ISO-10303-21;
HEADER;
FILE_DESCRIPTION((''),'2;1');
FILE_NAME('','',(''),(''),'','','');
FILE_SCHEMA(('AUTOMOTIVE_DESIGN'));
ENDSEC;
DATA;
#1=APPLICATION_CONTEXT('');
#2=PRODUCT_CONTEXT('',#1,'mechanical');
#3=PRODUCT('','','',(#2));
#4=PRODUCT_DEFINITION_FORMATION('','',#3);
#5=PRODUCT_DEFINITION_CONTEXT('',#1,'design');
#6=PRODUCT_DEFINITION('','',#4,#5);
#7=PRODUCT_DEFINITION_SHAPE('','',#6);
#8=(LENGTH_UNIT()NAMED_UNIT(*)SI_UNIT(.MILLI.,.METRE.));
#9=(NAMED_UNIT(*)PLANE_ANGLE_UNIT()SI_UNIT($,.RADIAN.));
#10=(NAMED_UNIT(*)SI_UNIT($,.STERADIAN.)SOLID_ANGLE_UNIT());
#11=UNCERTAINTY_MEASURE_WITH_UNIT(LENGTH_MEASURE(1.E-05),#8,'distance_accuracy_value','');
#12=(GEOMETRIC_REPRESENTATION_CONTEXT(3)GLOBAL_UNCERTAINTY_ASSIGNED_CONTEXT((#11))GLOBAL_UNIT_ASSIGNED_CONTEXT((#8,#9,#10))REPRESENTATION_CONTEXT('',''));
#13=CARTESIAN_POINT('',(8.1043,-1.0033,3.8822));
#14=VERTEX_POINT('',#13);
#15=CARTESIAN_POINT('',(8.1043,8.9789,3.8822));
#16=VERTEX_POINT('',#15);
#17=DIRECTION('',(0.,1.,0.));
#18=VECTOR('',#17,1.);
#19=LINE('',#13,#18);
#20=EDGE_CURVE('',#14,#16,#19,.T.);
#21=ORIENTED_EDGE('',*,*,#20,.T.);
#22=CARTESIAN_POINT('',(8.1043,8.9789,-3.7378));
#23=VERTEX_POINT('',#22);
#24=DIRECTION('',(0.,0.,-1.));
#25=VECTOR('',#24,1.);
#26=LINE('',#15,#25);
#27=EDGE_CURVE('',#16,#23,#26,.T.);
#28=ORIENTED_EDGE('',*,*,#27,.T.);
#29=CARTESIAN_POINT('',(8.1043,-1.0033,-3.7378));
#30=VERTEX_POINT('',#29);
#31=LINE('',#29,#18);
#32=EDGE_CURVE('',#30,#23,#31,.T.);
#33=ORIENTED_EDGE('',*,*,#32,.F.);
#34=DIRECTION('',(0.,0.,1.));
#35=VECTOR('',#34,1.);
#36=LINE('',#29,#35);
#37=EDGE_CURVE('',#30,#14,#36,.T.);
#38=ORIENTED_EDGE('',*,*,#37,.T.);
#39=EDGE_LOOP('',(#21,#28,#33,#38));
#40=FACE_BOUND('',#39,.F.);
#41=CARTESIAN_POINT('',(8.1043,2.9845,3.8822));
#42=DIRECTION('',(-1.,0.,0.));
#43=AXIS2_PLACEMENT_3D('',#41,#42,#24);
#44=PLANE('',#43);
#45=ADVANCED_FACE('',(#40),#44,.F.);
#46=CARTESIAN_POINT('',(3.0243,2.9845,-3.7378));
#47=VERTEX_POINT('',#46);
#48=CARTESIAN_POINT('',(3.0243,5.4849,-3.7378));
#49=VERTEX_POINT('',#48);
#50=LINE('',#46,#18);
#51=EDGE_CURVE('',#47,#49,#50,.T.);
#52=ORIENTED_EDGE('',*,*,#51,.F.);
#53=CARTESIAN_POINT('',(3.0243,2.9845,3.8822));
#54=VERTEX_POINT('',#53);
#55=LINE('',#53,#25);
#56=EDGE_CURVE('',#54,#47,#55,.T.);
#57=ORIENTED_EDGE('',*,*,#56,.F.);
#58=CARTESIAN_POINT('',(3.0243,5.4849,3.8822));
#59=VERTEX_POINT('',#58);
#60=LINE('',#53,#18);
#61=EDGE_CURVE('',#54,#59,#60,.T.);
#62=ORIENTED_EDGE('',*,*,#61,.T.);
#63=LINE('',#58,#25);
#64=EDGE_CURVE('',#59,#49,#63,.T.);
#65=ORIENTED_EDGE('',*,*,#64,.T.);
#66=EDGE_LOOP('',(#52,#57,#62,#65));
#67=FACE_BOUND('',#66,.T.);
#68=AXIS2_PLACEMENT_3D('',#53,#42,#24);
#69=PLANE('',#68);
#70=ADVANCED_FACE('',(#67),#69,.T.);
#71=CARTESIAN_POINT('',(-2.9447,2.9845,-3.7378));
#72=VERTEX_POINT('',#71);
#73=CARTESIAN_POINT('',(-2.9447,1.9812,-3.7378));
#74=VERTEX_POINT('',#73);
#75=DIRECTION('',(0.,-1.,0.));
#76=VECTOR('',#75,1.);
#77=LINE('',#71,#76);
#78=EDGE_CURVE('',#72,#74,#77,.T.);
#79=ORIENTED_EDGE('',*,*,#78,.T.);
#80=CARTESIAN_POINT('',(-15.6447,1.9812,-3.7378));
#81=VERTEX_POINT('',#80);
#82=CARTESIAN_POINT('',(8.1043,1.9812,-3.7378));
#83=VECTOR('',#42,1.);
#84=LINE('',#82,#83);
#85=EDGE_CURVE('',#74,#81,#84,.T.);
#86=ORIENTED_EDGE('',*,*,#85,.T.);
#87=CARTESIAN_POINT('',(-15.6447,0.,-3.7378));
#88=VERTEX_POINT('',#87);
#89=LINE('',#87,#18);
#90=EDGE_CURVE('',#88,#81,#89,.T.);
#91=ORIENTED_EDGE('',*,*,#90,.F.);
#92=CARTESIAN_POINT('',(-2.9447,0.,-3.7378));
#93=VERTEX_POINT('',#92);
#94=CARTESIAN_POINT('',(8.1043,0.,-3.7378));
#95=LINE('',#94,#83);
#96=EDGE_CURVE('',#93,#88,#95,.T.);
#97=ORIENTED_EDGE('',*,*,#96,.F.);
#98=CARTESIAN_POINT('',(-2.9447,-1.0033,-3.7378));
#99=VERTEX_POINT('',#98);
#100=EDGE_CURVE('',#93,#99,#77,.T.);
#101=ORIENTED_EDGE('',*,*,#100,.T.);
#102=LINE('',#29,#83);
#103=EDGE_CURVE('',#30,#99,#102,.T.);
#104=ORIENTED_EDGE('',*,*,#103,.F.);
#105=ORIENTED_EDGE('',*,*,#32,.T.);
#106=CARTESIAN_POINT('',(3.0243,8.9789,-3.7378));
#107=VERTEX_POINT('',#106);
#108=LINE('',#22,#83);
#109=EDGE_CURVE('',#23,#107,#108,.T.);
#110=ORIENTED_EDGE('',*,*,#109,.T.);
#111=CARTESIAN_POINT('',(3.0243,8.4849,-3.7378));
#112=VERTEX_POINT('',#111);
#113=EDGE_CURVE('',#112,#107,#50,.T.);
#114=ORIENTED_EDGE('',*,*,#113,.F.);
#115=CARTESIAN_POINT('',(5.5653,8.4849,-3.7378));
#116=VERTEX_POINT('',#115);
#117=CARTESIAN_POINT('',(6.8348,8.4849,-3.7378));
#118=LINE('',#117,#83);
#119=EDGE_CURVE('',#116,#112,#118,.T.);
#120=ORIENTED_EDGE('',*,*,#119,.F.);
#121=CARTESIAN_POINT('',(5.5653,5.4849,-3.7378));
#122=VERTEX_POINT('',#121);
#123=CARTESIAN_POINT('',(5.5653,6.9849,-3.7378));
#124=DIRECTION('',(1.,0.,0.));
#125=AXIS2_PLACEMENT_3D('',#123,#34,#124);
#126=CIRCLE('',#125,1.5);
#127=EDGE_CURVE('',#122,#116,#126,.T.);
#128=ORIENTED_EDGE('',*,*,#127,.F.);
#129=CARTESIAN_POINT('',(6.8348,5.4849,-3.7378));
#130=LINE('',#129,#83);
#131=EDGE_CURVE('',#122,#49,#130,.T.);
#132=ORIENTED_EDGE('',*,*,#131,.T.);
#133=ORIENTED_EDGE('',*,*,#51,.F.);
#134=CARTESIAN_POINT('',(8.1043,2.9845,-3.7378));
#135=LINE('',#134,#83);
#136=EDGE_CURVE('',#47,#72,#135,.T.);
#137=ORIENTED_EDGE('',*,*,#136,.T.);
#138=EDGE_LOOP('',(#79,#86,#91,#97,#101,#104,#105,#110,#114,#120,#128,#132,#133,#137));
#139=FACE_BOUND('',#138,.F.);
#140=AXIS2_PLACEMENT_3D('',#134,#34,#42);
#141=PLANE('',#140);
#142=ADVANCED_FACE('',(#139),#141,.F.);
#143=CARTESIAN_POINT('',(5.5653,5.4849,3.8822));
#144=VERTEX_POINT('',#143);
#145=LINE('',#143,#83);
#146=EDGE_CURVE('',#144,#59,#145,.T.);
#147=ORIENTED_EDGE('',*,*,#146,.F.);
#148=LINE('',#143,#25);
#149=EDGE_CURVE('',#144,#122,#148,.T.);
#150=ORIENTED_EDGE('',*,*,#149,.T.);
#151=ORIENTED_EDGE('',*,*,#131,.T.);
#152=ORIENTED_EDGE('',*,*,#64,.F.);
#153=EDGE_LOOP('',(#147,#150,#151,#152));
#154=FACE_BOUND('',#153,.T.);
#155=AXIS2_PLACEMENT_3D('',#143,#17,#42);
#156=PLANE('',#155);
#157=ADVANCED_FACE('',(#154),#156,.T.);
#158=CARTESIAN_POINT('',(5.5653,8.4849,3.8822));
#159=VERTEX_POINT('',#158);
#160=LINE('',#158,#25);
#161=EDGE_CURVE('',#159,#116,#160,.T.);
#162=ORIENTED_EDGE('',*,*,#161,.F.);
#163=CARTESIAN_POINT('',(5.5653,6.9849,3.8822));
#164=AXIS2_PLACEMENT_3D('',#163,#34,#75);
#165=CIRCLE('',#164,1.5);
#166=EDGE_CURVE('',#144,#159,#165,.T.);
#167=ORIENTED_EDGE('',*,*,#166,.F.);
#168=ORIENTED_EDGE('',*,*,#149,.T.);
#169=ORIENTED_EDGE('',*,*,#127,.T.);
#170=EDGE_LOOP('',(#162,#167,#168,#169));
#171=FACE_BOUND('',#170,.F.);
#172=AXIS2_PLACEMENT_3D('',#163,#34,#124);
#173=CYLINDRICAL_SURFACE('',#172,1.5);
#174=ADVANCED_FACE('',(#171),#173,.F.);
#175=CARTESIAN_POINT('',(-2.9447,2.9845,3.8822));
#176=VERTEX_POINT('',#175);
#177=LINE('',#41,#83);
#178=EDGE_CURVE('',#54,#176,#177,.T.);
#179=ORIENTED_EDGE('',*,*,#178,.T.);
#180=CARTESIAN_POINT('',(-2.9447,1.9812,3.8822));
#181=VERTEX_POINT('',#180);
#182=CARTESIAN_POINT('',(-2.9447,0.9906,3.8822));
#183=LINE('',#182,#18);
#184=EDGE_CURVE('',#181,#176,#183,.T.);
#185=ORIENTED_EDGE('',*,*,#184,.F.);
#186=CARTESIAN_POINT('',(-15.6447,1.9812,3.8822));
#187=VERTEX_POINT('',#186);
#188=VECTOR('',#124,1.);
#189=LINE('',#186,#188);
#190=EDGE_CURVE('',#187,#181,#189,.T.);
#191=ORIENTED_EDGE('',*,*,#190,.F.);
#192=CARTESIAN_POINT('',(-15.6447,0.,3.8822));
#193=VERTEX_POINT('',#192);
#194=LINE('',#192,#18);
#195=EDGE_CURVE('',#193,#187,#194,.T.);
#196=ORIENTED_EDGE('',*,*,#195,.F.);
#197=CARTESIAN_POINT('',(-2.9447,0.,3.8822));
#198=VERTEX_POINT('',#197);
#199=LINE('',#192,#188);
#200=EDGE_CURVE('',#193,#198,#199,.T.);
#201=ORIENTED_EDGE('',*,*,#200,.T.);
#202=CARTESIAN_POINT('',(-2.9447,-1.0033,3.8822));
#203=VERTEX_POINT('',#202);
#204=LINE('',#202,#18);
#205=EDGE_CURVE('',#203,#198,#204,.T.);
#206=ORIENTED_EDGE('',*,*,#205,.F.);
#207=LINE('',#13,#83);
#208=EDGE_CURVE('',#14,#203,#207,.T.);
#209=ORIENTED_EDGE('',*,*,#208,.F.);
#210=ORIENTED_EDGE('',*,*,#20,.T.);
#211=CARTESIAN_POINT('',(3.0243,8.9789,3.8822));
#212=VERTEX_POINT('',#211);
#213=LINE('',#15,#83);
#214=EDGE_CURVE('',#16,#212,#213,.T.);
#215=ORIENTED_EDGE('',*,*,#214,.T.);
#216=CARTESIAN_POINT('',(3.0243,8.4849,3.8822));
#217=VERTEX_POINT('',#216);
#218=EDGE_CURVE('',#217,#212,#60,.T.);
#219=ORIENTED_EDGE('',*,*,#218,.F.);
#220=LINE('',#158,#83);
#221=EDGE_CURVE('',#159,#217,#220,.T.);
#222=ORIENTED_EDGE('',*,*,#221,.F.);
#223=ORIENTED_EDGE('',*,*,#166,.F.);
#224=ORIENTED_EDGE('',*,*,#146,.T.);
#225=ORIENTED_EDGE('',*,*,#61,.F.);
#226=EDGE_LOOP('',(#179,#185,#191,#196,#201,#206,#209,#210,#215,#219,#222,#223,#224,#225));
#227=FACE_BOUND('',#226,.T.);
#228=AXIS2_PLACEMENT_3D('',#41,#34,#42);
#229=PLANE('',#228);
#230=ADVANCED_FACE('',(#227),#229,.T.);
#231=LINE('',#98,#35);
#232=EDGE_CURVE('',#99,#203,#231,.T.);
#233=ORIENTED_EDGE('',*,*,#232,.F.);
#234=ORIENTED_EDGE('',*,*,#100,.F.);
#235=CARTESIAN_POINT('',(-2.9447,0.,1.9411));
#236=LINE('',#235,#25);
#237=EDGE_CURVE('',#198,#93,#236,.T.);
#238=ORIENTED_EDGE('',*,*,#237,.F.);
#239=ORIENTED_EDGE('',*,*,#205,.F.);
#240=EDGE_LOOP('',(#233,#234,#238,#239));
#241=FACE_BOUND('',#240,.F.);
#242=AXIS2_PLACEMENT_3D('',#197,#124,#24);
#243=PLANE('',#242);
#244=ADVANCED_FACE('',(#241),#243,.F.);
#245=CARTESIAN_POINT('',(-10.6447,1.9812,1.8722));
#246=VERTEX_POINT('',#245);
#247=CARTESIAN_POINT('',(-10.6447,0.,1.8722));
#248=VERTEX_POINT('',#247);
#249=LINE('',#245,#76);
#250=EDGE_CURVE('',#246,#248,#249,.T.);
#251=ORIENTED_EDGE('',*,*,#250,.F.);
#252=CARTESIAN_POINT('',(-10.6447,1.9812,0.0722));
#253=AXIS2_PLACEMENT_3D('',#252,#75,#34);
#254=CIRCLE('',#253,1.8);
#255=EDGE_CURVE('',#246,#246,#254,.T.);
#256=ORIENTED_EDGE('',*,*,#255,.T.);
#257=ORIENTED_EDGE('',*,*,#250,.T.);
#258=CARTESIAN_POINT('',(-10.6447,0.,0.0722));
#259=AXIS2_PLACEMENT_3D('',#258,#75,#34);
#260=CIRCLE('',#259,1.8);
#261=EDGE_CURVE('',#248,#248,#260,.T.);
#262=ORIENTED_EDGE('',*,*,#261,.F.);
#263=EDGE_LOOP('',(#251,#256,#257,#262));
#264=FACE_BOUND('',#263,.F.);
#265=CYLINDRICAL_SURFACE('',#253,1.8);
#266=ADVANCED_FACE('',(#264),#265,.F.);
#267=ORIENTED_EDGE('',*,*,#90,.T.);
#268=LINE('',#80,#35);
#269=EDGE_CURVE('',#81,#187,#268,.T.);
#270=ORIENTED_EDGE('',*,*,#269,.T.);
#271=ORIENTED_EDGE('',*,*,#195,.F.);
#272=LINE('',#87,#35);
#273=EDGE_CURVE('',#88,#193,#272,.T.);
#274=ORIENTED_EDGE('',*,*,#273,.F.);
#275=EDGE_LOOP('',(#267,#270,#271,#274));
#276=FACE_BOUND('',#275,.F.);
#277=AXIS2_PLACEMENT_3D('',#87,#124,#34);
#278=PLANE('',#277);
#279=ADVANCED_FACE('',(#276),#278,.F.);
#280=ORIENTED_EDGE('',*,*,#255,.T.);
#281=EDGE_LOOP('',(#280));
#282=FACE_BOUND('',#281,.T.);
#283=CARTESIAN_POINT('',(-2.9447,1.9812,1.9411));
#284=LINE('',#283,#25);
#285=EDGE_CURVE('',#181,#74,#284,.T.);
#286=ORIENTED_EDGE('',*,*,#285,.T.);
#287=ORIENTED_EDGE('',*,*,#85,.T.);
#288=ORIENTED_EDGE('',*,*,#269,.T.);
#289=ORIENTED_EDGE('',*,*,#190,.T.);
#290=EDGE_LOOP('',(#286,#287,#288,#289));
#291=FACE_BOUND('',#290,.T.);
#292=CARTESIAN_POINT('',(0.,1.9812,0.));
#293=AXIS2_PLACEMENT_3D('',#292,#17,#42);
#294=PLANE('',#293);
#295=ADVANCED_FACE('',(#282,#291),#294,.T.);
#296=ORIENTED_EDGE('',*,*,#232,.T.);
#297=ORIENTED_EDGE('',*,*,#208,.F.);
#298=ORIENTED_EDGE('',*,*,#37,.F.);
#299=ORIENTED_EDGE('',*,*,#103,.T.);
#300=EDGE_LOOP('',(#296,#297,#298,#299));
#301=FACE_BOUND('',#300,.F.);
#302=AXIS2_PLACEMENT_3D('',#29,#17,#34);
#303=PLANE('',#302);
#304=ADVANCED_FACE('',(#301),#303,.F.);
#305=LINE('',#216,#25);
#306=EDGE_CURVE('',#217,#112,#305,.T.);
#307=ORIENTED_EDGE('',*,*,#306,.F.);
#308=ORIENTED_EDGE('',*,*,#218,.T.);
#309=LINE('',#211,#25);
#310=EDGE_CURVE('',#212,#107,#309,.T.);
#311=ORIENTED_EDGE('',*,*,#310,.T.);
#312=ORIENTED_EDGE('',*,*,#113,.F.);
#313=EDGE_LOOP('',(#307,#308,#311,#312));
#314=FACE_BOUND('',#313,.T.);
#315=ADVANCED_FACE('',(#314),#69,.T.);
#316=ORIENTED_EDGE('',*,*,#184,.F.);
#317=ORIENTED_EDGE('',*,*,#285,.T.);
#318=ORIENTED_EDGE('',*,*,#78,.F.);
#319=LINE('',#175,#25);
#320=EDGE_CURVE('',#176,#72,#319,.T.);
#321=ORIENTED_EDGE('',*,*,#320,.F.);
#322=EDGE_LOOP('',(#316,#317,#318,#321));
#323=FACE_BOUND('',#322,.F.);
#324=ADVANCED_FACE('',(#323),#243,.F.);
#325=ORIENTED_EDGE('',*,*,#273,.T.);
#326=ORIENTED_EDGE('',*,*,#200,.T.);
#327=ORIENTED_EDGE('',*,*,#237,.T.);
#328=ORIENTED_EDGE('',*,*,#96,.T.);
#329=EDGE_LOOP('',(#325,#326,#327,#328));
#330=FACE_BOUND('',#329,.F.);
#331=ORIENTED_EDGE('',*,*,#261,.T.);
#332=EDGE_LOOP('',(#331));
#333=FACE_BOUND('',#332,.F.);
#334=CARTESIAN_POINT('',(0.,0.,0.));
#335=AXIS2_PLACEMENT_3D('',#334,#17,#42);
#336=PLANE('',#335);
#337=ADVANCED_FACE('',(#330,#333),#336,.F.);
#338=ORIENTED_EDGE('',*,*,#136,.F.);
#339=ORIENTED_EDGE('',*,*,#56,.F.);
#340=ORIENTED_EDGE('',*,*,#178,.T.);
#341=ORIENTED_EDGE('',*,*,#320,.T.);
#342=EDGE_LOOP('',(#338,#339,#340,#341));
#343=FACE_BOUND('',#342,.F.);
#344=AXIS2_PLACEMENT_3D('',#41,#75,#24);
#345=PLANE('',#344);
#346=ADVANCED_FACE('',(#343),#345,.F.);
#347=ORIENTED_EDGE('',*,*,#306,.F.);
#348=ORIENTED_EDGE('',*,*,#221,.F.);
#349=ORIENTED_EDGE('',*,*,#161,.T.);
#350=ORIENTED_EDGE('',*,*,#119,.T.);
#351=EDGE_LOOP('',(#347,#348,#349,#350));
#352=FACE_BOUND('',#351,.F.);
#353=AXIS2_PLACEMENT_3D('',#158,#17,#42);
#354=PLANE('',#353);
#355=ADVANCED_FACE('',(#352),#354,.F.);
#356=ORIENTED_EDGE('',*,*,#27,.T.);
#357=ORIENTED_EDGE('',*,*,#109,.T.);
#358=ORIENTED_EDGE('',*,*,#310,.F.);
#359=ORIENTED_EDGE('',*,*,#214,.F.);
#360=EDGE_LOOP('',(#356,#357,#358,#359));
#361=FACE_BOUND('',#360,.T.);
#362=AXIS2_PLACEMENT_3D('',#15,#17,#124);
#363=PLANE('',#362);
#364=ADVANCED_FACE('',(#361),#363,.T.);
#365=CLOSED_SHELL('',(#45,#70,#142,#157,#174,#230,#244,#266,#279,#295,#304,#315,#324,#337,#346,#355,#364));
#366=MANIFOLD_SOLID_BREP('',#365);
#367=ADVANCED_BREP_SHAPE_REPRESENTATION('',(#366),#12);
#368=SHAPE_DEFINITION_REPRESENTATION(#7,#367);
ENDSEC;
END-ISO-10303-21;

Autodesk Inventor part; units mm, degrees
ref_plane "YZ Plane" through (0, 0, 0) normal (1, 0, 0) x (0, 1, 0)
ref_plane "XZ Plane" through (0, 0, 0) normal (0, 1, 0) x (-1, 0, 0)
ref_plane "XY Plane" through (0, 0, 0) normal (0, 0, 1) x (1, 0, 0)
sketch "Sketch1" plane through (0, 0, 0) normal (0, 1, 0) x (-1, 0, 0)
  line L0 (15.6447, 3.8822) -> (-8.1043, 3.8822)
  line L1 (-8.1043, 3.8822) -> (-8.1043, -3.7378)
  line L2 (-8.1043, -3.7378) -> (15.6447, -3.7378)
  line L3 (15.6447, -3.7378) -> (15.6447, 3.8822)
  point P0 (0, 0)
  dimension "d0" = 23.749
  dimension "d1" = 7.62
extrude "Extrusion1" add sketch "Sketch1" along normal blind 1.9812
sketch "Sketch2" plane through (8.1043, 0, 3.8822) normal (1, 0, 0) x (0, 0, -1)
  line L0 (0, 0) -> (0, 1.9812) projected
  line L1 (0, 0.9906) -> (0, 2.9845)
  line L2 (0, 2.9845) -> (7.62, 2.9845)
  line L3 (7.62, 2.9845) -> (7.62, -1.0033)
  line L4 (7.62, -1.0033) -> (0, -1.0033)
  line L5 (0, -1.0033) -> (0, 2.9845)
  point P0 (3.8822, 0)
  dimension "d4" = 1.9939
  dimension "d5" = 3.9878
extrude "Extrusion2" add sketch "Sketch2" against normal blind 11.049
sketch "Sketch3" plane through (8.1043, 2.9845, 3.8822) normal (0, 1, 0) x (1, 0, 0)
  line L0 (0, 0) -> (0, 7.62) projected
  line L1 (0, 7.62) -> (-11.049, 7.62) projected
  line L2 (0, 0) -> (-5.08, 0)
  line L3 (-5.08, 0) -> (-5.08, 7.62)
  line L4 (-5.08, 7.62) -> (0, 7.62)
  line L5 (0, 7.62) -> (0, 0)
  point P0 (-8.1043, 3.8822)
  dimension "d8" = 5.08
extrude "Extrusion3" add sketch "Sketch3" along normal blind 5.9944
sketch "Sketch4" plane through (-15.6447, 0, 3.8822) normal (0, 0, 1) x (1, 0, 0)
  line L0 (18.669, 2.9845) -> (18.669, 8.9789) projected
  line L1 (18.669, 8.9789) -> (18.669, 6.9849)
  line L2 (18.669, 6.9849) -> (21.21, 6.9849)
  circle A0 centre (21.21, 6.9849) radius 1.5
  line L3 (21.21, 8.4849) -> (18.669, 8.4849)
  line L4 (21.21, 5.4849) -> (18.669, 5.4849)
  line L5 (18.669, 8.4849) -> (18.669, 5.4849)
  point P0 (15.6447, 0)
  dimension "d11" = 1.994
  dimension "d12" = 2.541
  dimension "d13" = 3
extrude "Extrusion4" cut sketch "Sketch4" against normal blind 10
sketch "Sketch5" plane through (0, 1.9812, 0) normal (0, 1, 0) x (1, 0, 0)
  line L0 (-15.6447, 3.7378) -> (-15.6447, -3.8822) projected
  line L1 (-15.6447, -0.0722) -> (-10.6447, -0.0722)
  point P0 (0, 0)
  dimension "d16" = 5
hole "Hole1" at (-10.6447, 1.9812, 0.0722) direction (0, -1, 0) diameter 3.6 end through all clearance for "Flat Head Machine Screw" size "M3" standard "Ansi Metric M Profile"
properties part number "end axle"
